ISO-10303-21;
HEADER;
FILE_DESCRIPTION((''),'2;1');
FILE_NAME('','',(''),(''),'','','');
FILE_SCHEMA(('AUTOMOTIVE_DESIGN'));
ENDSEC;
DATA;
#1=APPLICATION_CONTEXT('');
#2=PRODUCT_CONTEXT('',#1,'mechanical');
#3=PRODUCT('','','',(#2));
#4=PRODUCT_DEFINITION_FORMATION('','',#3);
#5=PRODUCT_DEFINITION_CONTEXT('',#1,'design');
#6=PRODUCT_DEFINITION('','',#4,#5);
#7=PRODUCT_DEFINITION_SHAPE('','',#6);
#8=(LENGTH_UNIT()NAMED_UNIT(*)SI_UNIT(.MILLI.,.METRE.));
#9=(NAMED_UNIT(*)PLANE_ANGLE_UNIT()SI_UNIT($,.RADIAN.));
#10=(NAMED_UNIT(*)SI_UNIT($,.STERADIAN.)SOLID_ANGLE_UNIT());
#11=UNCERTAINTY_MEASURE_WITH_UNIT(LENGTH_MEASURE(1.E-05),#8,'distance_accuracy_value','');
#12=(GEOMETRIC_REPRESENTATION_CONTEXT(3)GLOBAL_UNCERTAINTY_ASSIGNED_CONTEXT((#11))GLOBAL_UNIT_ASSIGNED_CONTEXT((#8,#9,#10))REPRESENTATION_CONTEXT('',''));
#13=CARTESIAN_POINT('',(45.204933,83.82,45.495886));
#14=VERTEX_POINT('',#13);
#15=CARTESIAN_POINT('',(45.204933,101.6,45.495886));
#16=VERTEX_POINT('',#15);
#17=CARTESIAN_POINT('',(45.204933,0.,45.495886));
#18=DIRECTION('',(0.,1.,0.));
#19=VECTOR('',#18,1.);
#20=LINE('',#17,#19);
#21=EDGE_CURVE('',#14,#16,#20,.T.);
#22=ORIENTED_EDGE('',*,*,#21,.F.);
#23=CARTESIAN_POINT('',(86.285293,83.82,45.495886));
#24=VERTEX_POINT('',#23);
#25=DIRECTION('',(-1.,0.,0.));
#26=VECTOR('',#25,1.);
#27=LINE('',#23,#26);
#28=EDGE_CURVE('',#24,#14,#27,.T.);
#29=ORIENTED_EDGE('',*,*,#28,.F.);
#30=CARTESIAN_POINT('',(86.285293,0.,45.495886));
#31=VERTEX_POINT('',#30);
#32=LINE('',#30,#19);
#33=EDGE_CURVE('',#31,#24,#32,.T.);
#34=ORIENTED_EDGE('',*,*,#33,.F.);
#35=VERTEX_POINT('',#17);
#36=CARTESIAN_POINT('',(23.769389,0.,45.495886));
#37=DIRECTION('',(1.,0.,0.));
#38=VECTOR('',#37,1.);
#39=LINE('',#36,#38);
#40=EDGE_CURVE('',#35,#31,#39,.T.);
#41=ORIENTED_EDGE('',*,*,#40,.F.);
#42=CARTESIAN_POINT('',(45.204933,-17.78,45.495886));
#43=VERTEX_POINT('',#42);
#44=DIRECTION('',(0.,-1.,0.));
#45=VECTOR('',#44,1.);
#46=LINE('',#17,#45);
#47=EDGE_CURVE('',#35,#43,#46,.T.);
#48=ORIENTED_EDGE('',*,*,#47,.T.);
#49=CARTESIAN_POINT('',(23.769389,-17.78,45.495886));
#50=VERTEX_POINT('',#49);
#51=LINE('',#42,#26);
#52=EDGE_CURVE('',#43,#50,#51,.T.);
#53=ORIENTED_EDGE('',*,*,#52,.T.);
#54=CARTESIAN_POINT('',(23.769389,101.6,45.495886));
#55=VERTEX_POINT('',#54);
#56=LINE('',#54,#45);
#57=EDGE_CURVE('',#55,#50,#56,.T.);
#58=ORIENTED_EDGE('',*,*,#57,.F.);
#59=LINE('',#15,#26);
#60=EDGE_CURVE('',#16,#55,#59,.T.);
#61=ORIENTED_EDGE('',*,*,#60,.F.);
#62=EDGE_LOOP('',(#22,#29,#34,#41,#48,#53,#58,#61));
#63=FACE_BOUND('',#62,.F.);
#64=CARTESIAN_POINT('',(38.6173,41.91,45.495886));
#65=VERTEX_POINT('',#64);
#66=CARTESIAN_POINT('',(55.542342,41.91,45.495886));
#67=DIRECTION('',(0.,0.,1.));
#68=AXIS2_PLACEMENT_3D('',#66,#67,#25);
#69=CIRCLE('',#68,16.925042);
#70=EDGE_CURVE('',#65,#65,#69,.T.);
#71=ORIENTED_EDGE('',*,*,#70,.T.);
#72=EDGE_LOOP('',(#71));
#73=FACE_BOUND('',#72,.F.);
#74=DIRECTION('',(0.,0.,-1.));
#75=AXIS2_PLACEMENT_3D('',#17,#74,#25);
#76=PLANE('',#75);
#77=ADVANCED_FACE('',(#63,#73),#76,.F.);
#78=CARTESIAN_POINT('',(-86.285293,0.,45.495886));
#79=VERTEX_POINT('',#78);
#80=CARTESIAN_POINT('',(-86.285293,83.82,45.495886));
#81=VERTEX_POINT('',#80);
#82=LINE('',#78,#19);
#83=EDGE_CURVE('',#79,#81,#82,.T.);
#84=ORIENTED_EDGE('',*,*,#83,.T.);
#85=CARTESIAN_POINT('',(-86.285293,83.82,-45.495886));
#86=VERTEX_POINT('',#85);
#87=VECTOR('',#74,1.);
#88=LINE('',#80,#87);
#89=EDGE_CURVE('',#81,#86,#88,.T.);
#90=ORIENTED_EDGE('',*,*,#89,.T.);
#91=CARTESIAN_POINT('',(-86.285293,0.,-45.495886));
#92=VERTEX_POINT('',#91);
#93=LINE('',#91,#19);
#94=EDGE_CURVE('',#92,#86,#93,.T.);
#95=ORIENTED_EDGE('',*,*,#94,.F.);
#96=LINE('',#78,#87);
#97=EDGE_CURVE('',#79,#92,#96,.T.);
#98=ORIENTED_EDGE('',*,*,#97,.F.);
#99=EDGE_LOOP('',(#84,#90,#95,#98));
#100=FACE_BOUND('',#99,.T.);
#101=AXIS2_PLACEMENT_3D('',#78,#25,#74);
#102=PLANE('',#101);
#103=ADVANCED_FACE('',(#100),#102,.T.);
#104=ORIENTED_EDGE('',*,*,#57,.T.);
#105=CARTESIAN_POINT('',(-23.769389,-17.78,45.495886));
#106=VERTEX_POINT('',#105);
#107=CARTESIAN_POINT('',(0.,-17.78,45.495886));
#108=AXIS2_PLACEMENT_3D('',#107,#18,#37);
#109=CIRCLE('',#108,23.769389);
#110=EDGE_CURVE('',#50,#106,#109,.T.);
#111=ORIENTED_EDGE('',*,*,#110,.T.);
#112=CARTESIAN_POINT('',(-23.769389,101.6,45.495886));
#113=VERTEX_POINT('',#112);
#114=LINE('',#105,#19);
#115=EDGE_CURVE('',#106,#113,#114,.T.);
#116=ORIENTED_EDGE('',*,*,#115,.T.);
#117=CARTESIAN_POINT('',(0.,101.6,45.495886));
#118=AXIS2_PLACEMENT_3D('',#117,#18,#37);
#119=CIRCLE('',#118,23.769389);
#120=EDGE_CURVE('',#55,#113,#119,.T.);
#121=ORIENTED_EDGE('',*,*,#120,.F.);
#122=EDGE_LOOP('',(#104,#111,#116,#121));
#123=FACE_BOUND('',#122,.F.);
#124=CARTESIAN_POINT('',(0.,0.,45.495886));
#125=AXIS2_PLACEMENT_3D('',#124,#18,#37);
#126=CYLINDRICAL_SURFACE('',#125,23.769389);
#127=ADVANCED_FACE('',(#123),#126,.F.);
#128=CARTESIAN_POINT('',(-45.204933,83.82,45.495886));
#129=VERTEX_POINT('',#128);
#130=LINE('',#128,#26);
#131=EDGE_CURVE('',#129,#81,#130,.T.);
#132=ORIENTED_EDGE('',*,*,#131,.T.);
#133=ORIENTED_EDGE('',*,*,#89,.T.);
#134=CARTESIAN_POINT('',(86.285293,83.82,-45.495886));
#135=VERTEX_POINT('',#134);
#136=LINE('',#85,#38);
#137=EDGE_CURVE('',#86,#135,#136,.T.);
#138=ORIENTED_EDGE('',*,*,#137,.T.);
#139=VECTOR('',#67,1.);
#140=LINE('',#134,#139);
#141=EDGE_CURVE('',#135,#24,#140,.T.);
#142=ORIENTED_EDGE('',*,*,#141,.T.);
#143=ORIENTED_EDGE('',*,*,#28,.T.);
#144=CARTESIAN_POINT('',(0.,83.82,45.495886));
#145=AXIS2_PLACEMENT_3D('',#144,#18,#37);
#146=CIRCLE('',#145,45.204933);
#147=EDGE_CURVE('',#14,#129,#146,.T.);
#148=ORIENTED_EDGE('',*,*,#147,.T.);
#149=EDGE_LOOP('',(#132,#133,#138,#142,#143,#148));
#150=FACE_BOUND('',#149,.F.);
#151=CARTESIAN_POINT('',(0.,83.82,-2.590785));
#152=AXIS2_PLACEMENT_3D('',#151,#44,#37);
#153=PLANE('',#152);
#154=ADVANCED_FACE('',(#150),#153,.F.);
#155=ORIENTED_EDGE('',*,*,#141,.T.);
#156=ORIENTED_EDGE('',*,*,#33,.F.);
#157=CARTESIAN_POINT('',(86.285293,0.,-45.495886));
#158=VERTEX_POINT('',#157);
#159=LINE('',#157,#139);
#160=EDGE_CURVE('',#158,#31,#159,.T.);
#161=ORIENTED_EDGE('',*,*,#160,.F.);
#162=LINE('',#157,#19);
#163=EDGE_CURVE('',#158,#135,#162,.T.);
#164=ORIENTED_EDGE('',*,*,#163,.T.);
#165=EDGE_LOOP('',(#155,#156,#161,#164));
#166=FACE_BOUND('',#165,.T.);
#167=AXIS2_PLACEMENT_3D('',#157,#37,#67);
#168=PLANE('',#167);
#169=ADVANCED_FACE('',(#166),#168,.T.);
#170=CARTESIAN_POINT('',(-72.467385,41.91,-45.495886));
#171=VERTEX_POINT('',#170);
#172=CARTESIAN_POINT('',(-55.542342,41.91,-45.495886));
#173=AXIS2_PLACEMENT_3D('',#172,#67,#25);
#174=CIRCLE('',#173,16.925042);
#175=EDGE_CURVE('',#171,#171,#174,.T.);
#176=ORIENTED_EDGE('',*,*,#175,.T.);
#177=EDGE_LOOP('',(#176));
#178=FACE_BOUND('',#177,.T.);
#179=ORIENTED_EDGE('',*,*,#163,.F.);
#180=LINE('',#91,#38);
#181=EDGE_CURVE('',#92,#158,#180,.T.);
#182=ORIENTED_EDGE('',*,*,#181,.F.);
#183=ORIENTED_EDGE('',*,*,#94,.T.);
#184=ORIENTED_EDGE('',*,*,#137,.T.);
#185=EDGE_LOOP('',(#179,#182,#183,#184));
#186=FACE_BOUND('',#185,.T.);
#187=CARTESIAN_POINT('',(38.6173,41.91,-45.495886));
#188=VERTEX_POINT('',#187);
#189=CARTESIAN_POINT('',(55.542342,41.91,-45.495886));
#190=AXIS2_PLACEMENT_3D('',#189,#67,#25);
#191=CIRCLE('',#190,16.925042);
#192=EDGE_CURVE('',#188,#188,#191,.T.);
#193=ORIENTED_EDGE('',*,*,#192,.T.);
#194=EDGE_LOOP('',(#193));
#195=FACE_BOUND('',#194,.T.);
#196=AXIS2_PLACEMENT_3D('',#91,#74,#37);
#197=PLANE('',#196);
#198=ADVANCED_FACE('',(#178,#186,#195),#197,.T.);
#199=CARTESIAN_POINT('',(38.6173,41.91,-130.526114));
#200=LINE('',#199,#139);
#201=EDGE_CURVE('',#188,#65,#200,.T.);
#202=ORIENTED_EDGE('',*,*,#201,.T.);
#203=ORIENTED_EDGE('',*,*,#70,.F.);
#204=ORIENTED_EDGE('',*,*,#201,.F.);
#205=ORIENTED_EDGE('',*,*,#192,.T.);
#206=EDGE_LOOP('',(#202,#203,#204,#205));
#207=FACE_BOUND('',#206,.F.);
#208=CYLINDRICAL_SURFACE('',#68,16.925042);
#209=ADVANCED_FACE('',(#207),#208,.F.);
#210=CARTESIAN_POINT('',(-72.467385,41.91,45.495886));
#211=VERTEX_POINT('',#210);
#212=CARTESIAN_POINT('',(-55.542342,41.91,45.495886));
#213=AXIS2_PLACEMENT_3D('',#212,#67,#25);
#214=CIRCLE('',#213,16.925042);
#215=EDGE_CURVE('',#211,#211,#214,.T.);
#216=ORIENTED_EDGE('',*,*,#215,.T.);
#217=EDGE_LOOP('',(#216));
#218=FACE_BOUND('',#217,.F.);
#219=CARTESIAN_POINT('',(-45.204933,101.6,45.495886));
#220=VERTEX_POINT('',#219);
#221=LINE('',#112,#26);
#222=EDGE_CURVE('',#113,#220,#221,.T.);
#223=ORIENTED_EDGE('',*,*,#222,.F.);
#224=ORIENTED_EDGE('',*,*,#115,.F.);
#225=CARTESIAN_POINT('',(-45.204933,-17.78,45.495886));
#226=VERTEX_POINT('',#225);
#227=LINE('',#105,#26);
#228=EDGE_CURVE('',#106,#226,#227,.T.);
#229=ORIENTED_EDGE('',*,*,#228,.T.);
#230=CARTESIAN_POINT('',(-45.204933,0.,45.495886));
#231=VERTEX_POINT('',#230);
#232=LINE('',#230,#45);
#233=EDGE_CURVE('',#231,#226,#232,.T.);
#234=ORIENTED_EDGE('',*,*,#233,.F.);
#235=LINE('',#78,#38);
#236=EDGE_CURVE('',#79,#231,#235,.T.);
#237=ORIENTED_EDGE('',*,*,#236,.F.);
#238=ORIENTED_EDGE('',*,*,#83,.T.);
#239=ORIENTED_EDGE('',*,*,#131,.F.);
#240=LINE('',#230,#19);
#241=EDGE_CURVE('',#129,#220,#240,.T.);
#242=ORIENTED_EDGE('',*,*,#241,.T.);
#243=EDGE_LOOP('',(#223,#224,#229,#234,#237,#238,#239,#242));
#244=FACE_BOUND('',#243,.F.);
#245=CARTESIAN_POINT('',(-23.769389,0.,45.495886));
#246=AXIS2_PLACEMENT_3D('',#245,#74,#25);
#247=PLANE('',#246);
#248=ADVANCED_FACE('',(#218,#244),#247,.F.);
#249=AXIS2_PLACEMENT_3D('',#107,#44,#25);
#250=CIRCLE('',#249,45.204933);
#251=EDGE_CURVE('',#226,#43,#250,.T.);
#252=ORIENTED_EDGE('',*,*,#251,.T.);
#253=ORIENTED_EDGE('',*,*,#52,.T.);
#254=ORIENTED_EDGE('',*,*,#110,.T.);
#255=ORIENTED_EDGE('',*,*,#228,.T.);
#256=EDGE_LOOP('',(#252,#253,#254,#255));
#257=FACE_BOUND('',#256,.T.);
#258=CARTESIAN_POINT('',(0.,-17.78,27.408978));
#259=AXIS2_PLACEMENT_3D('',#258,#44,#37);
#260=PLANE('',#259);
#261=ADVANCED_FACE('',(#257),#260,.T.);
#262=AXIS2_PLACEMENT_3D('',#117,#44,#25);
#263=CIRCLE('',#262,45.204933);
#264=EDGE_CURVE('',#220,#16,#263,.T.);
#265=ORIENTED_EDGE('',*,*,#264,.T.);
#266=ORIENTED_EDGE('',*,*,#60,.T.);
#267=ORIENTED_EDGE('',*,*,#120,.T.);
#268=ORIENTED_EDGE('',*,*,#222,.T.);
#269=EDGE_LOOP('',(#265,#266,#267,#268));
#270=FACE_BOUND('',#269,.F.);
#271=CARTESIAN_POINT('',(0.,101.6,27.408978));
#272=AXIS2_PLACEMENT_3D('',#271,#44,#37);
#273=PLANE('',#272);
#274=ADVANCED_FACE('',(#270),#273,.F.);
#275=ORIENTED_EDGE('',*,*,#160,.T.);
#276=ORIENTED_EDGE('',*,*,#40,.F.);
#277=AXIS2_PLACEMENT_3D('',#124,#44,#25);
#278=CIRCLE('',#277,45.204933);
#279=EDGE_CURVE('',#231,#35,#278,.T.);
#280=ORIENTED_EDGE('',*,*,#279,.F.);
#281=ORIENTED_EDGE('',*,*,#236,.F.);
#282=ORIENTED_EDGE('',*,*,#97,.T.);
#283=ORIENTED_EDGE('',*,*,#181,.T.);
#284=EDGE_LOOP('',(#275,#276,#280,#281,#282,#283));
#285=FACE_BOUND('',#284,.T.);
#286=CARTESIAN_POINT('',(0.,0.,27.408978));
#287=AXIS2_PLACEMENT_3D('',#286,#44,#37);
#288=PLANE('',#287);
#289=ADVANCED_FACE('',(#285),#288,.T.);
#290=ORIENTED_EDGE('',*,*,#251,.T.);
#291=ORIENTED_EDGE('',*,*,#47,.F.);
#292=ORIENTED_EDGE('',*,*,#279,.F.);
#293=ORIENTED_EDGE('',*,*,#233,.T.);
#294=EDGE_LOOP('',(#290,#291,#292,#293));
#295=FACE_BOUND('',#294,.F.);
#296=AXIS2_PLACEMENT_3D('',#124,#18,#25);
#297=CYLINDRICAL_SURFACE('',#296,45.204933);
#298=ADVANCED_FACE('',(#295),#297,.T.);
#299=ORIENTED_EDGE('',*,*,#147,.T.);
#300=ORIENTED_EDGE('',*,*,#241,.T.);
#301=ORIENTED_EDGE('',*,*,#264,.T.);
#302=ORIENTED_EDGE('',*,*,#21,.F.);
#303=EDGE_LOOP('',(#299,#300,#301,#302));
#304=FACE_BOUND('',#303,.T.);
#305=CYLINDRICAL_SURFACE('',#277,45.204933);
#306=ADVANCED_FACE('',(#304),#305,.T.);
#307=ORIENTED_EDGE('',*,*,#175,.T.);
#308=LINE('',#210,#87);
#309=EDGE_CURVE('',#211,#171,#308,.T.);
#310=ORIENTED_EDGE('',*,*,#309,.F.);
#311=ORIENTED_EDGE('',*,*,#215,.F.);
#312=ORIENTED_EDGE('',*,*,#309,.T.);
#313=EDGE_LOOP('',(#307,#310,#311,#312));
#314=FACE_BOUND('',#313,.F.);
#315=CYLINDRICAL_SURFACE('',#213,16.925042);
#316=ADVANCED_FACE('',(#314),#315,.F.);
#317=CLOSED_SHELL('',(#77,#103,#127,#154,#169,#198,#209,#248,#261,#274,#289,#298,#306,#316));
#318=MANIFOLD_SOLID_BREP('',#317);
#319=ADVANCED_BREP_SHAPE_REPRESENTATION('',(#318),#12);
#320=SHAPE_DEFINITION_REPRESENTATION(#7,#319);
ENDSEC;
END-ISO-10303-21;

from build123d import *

# Parameters (mm, degrees)
F1_DEPTH      = 83.82
F2_DEPTH      = 101.6
F2_DEPTH_BACK = 17.78
F4_DEPTH      = 176.022


with BuildPart() as f1:
    # F0 (on Front) → F1 (new body)
    with BuildSketch(Plane.XZ):
        with BuildLine():
            Line((-86.2852931023, -45.4958863556), (86.2852931023, -45.4958863556))
            Line((86.2852931023, -45.4958863556), (86.2852931023, 45.4958863556))
            Line((86.2852931023, 45.4958863556), (45.2049326768, 45.4958863556))
            ThreePointArc((45.2049326768, 45.4958863556), (0, 0.2909536789), (-45.2049326768, 45.4958863556))
            Line((-45.2049326768, 45.4958863556), (-86.2852931023, 45.4958863556))
            Line((-86.2852931023, 45.4958863556), (-86.2852931023, -45.4958863556))
        make_face()
    extrude(amount=-F1_DEPTH)

    # F0 (on Front) → F2 (join, two sides)
    with BuildSketch(Plane.XZ) as f2_sk:
        with BuildLine():
            ThreePointArc((-45.2049326768, 45.4958863556), (0, 0.2909536789), (45.2049326768, 45.4958863556))
            Line((45.2049326768, 45.4958863556), (23.7693889097, 45.4958863556))
            ThreePointArc((23.7693889097, 45.4958863556), (0, 21.726497446), (-23.7693889097, 45.4958863556))
            Line((-23.7693889097, 45.4958863556), (-45.2049326768, 45.4958863556))
        make_face()
    extrude(amount=-F2_DEPTH)
    extrude(f2_sk.sketch, amount=F2_DEPTH_BACK)

    # F3 (on face) → F4 (cut, symmetric)
    with BuildSketch(Plane.XY.offset(45.4958863556)):
        with BuildLine():
            ThreePointArc((-38.6172999535, 41.91), (-55.5423423648, 58.8350424113), (-72.4673847761, 41.91))
            Line((-72.4673847761, 41.91), (-38.6172999535, 41.91))
        make_face()
        with BuildLine():
            ThreePointArc((72.4673847761, 41.91), (55.5423423648, 58.8350424113), (38.6172999535, 41.91))
            Line((38.6172999535, 41.91), (72.4673847761, 41.91))
        make_face()
        with BuildLine():
            Line((72.4673847761, 41.91), (38.6172999535, 41.91))
            ThreePointArc((38.6172999535, 41.91), (55.5423423648, 24.9849575887), (72.4673847761, 41.91))
        make_face()
        with BuildLine():
            Line((-38.6172999535, 41.91), (-72.4673847761, 41.91))
            ThreePointArc((-72.4673847761, 41.91), (-55.5423423648, 24.9849575887), (-38.6172999535, 41.91))
        make_face()
    extrude(amount=F4_DEPTH, both=True, mode=Mode.SUBTRACT)


solid = f1.part
